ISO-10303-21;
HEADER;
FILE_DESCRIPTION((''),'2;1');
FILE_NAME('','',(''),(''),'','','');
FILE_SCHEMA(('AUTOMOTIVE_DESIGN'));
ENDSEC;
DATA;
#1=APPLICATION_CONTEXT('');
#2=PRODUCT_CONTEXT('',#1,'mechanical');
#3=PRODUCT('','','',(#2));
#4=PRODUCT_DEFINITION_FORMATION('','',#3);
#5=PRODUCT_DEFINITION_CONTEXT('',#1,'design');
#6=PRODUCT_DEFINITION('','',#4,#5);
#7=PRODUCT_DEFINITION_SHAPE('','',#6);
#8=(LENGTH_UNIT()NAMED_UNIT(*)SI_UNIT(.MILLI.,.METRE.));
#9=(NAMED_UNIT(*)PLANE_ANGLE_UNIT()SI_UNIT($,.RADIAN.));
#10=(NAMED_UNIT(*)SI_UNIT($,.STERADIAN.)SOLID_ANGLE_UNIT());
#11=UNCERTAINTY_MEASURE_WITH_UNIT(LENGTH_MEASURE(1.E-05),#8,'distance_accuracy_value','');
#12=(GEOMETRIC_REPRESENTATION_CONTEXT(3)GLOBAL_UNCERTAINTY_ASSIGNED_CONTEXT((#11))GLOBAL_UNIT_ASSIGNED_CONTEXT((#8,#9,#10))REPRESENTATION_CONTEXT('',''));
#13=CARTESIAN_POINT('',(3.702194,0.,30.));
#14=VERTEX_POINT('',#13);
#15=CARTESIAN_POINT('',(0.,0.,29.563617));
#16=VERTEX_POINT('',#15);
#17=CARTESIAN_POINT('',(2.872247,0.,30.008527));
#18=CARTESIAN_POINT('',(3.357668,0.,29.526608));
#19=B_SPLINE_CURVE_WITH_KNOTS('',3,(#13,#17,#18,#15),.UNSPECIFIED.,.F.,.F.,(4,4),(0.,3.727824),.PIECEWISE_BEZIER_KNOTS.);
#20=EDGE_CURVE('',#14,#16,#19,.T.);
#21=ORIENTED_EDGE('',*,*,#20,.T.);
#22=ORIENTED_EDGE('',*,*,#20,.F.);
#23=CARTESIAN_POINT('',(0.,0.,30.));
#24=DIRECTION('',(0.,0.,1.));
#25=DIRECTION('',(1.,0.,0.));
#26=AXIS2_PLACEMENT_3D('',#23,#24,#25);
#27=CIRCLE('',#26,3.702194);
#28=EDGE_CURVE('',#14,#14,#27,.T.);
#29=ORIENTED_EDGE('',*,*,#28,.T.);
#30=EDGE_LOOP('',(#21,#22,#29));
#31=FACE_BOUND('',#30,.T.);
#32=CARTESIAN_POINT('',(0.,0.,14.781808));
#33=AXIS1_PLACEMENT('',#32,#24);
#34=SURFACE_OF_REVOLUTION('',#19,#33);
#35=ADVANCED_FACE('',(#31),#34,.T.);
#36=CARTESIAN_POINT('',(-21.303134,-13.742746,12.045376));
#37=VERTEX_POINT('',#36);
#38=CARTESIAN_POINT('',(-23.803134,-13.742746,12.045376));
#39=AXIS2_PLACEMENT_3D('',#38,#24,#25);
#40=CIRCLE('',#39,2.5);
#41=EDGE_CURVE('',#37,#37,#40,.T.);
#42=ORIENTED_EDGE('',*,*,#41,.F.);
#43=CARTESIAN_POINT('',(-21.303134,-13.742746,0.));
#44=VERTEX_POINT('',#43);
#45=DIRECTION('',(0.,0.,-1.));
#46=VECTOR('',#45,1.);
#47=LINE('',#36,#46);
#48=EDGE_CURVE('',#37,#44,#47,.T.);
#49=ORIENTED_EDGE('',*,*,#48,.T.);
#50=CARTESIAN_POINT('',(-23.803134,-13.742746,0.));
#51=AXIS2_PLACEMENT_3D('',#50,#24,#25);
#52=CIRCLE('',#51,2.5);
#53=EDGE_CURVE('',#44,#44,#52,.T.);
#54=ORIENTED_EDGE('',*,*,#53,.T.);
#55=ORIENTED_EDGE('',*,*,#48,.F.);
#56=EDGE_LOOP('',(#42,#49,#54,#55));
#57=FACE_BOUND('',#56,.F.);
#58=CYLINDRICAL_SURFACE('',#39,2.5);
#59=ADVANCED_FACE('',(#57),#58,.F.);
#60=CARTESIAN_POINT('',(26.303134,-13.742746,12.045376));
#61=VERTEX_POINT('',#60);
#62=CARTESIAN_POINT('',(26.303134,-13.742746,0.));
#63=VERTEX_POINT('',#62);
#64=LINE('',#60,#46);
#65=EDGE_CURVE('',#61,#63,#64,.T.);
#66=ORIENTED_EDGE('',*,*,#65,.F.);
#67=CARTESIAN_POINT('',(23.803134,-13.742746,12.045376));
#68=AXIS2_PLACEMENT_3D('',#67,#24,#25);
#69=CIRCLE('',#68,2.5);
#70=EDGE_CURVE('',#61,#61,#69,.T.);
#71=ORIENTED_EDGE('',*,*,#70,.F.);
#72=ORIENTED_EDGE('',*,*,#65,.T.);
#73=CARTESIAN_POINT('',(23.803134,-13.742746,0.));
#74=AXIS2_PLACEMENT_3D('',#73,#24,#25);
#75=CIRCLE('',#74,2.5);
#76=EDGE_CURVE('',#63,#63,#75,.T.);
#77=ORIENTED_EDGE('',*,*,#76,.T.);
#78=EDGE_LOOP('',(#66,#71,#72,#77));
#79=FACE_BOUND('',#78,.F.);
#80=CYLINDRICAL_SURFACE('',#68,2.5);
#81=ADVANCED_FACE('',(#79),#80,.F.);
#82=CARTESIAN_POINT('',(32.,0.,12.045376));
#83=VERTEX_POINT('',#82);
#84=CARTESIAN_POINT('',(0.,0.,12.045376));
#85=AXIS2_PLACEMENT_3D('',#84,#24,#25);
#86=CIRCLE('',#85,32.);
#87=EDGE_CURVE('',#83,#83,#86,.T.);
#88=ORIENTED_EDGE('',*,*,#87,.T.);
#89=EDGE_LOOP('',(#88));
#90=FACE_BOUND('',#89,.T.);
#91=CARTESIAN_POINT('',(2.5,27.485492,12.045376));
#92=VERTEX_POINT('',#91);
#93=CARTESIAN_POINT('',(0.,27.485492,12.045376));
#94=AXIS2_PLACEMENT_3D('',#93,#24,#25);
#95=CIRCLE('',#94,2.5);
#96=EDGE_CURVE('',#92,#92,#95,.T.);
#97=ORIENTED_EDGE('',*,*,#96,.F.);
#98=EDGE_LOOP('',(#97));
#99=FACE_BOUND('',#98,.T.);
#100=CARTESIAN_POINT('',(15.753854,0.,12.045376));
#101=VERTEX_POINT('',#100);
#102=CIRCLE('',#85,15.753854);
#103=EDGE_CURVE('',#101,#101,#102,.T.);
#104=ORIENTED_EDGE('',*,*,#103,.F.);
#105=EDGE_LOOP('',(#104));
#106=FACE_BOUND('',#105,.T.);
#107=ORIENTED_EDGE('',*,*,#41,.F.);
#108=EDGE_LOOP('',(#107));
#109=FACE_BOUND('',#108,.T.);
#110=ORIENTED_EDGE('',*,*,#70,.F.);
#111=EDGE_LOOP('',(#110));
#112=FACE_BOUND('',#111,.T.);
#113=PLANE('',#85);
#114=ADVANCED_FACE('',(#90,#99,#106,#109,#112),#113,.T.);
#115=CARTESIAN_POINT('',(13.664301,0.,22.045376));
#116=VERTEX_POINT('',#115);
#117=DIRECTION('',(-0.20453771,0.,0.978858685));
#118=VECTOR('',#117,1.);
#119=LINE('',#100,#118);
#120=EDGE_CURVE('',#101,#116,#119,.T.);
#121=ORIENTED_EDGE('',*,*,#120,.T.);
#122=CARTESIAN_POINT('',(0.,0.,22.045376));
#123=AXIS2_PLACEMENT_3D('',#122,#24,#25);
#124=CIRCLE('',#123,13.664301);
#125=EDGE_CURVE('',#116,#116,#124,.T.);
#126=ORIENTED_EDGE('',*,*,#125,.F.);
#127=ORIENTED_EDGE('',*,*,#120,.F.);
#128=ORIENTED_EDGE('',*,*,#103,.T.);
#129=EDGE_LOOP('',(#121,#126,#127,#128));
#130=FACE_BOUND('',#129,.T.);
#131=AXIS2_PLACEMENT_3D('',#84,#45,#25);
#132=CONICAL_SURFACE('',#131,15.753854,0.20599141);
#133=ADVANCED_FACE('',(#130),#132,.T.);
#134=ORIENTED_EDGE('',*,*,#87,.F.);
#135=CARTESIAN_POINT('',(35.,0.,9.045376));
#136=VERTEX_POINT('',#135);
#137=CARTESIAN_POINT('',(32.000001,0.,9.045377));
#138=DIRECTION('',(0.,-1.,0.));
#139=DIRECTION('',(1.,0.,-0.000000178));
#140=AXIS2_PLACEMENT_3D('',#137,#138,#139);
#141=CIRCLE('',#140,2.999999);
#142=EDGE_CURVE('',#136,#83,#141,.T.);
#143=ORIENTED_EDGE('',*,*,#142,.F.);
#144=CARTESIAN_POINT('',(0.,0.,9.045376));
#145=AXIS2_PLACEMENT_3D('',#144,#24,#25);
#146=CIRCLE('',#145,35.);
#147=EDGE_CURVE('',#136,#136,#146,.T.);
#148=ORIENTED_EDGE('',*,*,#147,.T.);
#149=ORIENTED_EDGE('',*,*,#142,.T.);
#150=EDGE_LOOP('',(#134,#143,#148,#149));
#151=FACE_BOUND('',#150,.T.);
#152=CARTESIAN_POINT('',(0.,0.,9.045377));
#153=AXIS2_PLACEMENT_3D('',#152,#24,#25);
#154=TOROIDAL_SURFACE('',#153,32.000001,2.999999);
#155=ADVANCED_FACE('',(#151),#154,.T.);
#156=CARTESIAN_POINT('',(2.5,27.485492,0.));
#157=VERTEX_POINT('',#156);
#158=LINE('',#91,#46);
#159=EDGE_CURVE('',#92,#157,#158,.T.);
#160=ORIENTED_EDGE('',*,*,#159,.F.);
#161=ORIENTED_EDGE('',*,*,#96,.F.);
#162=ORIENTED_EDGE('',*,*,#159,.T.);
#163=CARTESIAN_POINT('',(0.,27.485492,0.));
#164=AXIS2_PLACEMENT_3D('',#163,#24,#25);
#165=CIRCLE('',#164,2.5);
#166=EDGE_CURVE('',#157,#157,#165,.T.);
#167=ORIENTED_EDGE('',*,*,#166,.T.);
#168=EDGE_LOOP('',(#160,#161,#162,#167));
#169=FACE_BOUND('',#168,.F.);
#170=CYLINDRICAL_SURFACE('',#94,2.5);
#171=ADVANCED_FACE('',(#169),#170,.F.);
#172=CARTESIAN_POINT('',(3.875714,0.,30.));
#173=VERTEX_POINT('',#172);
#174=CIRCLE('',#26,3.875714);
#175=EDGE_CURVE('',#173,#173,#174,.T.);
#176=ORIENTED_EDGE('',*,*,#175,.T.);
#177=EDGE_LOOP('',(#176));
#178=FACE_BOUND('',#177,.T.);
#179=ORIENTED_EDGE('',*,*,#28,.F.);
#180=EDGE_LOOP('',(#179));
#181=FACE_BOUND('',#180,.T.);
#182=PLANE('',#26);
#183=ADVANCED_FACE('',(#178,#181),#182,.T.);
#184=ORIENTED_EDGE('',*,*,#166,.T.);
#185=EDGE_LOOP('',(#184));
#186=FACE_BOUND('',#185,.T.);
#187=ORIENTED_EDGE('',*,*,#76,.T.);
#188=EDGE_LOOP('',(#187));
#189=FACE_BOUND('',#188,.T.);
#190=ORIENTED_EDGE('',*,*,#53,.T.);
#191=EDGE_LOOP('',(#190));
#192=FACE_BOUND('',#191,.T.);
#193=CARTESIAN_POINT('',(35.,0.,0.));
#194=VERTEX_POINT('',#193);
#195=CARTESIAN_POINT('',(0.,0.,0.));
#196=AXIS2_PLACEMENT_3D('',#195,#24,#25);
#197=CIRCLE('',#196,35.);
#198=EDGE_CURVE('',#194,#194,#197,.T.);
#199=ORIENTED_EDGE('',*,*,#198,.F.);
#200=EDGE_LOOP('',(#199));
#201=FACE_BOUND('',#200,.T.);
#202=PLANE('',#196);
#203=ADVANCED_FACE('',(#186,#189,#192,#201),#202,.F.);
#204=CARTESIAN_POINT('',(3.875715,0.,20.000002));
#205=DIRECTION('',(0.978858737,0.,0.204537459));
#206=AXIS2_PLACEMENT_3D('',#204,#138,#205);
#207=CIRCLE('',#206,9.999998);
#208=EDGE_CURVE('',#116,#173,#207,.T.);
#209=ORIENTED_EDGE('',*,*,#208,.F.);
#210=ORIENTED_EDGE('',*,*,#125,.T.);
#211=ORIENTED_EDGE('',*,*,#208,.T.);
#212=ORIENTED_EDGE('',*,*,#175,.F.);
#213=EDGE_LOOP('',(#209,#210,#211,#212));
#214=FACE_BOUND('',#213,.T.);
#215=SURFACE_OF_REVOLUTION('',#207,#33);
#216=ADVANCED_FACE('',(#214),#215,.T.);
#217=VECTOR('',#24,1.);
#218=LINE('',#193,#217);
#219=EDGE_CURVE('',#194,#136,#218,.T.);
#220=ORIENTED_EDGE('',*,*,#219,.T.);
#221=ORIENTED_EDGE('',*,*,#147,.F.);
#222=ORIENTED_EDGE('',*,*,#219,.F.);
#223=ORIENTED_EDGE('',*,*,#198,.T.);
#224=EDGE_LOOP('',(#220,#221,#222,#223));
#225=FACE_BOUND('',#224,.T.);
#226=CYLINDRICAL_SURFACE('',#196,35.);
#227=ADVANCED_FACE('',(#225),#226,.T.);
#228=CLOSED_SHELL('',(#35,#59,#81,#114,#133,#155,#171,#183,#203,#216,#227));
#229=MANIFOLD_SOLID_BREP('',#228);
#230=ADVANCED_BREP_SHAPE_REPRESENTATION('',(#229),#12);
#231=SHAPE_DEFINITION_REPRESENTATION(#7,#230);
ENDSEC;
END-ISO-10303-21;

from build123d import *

# Parameters (mm, degrees)
F2_R     = 2.5
F3_DEPTH = 25
F4_R     = 5
F5_DEPTH = 29


with BuildPart() as f1:
    # F0 (on Front) → F1 (revolve)
    with BuildSketch(Plane.XZ):
        with BuildLine():
            Line((0, 29.563617), (0, 0))
            Line((0, 0), (35, 0))
            Line((35, 0), (35, 9.045376))
            ThreePointArc((35, 9.045376), (34.12132, 11.166697), (32, 12.045376))
            Line((32, 12.045376), (15.753854, 12.045376))
            Line((15.753854, 12.045376), (13.664301, 22.045376))
            ThreePointArc((13.664301, 22.045376), (10.182308, 27.760598), (3.875714, 30))
            Line((3.875714, 30), (3.702194, 30))
            add(Edge.make_bspline(
                [(3.702194, 30), (2.872247, 30.008527), (3.357668, 29.526608), (0, 29.563617)],
                knots=[0, 0, 0, 0, 3.727824, 3.727824, 3.727824, 3.727824], degree=3))
        make_face()
    revolve(axis=Axis((0, 0, 14.781808), (0, 0, 1)))

    # F2 (on face) → F3 (cut)
    with BuildSketch(Plane.XY.offset(12.045376)):
        with Locations((0, 27.485492)):
            Circle(F2_R)
        with Locations((23.803134, -13.742746)):
            Circle(F2_R)
        with Locations((-23.803134, -13.742746)):
            Circle(F2_R)
    extrude(amount=-F3_DEPTH, mode=Mode.SUBTRACT)

    # F4 (on face) → F5 (join)
    with BuildSketch(Plane(origin=(0, 0, 0), x_dir=(1, 0, 0), z_dir=(0, 0, -1))):
        Circle(F4_R)
    extrude(amount=-F5_DEPTH)


solid = f1.part
